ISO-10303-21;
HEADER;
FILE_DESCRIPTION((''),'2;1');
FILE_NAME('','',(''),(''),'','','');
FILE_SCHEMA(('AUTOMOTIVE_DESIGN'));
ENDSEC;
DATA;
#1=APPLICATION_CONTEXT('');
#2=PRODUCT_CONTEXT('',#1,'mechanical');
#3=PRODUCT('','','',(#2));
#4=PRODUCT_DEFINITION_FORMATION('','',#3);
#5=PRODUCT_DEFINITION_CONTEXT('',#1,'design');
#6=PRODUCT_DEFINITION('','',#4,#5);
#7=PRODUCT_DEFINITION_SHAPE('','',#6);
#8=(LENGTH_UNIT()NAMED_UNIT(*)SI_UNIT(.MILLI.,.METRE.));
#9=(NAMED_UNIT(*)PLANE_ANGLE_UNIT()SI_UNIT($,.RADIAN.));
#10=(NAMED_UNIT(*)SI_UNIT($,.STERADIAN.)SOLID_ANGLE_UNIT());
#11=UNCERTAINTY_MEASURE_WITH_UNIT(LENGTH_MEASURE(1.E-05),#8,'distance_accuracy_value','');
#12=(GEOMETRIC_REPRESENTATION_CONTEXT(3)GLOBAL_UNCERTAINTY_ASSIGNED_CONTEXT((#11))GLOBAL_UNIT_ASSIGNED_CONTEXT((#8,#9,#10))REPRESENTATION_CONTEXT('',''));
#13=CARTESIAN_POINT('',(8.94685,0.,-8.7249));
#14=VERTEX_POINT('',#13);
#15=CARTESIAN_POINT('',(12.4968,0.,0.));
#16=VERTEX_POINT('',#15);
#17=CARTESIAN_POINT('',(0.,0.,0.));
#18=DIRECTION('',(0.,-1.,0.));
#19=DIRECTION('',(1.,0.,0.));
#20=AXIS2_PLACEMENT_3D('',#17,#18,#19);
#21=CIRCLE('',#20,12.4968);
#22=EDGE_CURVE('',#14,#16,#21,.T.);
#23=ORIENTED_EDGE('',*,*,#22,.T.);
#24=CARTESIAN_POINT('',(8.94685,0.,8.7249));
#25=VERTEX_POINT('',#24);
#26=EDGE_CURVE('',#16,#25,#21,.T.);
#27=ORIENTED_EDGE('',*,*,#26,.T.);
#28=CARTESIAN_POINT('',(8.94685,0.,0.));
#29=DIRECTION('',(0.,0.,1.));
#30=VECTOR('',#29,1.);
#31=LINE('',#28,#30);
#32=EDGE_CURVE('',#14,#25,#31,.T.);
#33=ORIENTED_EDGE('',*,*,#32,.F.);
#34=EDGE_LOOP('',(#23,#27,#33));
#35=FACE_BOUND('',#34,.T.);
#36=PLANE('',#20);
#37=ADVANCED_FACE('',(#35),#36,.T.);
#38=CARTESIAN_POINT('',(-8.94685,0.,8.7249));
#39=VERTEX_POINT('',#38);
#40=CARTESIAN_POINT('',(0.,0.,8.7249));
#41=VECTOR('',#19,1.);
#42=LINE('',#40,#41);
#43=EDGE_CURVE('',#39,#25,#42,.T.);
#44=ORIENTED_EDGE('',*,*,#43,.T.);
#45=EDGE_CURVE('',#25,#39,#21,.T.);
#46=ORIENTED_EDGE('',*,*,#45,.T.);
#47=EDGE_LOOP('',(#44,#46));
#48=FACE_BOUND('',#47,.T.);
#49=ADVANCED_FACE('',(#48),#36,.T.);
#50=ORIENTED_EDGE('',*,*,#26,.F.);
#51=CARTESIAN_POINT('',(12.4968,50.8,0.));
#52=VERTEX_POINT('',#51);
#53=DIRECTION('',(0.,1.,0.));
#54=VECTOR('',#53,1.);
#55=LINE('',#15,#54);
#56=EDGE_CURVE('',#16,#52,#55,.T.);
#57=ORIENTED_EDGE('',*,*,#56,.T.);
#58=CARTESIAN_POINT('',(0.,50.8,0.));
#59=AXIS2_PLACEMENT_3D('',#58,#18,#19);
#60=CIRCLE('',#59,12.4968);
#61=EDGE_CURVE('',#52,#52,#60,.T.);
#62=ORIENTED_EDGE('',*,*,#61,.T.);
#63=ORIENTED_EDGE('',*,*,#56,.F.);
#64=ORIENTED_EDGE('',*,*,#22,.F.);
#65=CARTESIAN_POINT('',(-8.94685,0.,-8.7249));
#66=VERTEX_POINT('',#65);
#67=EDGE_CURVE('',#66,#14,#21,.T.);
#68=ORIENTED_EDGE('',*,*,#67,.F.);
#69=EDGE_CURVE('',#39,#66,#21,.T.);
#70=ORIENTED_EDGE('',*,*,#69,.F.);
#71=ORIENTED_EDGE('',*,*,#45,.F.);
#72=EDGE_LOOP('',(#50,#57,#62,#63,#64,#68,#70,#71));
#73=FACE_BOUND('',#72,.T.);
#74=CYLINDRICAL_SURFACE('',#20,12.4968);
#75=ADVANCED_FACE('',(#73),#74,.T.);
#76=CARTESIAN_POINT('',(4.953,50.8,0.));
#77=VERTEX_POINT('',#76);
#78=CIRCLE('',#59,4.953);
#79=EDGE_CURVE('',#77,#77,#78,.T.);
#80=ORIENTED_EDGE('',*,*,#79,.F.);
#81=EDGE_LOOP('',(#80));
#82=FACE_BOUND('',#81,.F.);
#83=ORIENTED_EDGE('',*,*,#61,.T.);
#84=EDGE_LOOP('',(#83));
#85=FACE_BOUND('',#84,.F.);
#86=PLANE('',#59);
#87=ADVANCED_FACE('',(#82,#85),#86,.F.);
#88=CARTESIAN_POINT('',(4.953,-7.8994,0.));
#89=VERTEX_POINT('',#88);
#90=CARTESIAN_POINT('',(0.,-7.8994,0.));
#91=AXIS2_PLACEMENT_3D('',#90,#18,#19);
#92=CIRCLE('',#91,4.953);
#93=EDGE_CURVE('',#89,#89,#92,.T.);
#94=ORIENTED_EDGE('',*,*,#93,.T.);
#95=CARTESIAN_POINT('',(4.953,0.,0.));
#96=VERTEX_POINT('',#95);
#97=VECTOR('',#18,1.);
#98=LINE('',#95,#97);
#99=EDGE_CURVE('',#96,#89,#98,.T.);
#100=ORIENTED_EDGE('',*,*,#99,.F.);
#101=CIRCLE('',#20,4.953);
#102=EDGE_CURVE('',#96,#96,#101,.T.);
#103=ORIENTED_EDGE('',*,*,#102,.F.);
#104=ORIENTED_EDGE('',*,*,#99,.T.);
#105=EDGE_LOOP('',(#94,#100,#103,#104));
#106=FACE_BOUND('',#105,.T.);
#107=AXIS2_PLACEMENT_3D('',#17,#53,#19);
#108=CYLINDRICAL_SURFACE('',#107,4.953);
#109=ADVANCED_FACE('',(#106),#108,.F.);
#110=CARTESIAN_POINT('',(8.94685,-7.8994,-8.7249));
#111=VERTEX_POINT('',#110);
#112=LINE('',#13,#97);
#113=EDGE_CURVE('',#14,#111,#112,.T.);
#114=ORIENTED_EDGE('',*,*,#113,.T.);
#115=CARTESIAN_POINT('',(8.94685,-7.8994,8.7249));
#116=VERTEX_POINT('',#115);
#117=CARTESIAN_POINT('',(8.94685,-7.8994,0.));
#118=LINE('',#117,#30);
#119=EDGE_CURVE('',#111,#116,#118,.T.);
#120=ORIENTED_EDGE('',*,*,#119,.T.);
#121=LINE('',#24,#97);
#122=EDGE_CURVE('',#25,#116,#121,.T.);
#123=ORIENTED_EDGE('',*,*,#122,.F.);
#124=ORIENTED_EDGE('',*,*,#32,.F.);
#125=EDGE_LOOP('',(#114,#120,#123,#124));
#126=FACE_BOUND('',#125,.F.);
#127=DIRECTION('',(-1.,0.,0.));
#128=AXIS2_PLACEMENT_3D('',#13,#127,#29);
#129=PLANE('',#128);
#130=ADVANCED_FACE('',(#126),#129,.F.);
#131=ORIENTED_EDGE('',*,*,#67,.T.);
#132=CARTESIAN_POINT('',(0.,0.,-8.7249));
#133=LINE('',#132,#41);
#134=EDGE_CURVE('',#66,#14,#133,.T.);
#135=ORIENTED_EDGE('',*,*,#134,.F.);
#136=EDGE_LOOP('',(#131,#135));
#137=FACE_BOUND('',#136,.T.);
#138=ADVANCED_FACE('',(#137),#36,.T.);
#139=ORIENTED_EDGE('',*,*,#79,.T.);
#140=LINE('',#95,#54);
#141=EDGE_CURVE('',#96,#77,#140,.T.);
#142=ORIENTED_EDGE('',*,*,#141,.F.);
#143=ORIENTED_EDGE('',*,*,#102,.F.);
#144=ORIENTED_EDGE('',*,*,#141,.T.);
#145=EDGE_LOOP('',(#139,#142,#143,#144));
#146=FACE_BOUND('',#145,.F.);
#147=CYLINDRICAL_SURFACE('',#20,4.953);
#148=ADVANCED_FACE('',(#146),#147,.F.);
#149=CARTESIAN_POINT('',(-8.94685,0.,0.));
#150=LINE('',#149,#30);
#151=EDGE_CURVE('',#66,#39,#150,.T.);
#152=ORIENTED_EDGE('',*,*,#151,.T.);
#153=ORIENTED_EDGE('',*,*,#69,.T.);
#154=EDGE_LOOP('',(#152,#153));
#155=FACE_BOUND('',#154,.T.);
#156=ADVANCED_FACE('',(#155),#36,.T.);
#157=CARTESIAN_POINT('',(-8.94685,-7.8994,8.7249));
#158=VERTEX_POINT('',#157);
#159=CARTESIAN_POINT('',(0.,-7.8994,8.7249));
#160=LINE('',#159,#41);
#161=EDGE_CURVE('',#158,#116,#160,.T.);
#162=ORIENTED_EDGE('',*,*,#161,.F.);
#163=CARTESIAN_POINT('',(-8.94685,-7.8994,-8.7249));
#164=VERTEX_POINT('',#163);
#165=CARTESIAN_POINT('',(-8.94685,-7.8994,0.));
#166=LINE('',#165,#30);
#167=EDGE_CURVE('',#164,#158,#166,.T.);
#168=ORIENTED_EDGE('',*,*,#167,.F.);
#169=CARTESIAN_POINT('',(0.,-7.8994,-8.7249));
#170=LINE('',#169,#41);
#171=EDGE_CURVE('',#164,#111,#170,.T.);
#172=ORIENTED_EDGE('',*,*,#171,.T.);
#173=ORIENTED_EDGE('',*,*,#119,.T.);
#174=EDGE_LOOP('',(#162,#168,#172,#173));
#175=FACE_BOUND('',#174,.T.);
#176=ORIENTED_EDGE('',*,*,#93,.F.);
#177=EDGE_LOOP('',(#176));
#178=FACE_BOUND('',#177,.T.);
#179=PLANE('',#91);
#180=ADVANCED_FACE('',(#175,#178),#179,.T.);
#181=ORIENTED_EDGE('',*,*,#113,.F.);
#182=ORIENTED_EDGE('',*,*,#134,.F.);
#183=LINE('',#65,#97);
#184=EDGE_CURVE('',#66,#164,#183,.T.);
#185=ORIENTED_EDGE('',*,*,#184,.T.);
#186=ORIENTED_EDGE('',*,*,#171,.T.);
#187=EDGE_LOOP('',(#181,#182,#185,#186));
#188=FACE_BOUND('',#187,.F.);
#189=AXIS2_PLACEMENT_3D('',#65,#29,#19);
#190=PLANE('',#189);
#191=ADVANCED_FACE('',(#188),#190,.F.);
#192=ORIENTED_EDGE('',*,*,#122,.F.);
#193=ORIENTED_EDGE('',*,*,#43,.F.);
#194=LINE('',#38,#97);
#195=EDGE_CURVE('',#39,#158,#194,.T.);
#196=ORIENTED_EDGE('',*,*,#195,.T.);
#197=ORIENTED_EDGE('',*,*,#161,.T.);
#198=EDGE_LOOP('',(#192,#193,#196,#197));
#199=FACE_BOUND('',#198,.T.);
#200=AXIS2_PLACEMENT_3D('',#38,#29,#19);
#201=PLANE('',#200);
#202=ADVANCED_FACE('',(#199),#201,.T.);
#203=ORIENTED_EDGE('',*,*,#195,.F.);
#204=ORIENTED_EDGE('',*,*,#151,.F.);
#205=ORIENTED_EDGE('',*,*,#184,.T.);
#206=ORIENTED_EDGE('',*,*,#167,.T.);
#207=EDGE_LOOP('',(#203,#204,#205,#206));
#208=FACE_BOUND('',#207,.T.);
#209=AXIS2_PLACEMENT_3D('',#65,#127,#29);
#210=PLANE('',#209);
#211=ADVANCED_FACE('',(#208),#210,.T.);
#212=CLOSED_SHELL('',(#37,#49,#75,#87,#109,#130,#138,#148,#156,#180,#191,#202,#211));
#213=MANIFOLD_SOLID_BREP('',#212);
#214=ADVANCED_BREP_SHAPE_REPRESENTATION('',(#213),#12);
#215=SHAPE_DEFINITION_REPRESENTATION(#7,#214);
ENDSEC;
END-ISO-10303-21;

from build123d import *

# Parameters (mm, degrees)
F0_W      = 17.8937
F0_H      = 17.4498
F0_R      = 4.953
F1_DEPTH  = 7.8994
F2_R      = 12.4968
F3_DEPTH  = 50.8
F3_FACE_R = 4.953
F4_DEPTH  = 50.8


with BuildPart() as f1:
    # F0 (on Front) → F1 (new body)
    with BuildSketch(Plane.XZ):
        Rectangle(F0_W, F0_H)
        Circle(F0_R, mode=Mode.SUBTRACT)
    extrude(amount=F1_DEPTH)

    # F2 (on Front) → F3 (join)
    with BuildSketch(Plane.XZ):
        Circle(F2_R)
    extrude(amount=-F3_DEPTH)

    # F3_face (on face) → F4 (cut)
    with BuildSketch(Plane.XZ):
        Circle(F3_FACE_R)
    extrude(amount=-F4_DEPTH, mode=Mode.SUBTRACT)


solid = f1.part
